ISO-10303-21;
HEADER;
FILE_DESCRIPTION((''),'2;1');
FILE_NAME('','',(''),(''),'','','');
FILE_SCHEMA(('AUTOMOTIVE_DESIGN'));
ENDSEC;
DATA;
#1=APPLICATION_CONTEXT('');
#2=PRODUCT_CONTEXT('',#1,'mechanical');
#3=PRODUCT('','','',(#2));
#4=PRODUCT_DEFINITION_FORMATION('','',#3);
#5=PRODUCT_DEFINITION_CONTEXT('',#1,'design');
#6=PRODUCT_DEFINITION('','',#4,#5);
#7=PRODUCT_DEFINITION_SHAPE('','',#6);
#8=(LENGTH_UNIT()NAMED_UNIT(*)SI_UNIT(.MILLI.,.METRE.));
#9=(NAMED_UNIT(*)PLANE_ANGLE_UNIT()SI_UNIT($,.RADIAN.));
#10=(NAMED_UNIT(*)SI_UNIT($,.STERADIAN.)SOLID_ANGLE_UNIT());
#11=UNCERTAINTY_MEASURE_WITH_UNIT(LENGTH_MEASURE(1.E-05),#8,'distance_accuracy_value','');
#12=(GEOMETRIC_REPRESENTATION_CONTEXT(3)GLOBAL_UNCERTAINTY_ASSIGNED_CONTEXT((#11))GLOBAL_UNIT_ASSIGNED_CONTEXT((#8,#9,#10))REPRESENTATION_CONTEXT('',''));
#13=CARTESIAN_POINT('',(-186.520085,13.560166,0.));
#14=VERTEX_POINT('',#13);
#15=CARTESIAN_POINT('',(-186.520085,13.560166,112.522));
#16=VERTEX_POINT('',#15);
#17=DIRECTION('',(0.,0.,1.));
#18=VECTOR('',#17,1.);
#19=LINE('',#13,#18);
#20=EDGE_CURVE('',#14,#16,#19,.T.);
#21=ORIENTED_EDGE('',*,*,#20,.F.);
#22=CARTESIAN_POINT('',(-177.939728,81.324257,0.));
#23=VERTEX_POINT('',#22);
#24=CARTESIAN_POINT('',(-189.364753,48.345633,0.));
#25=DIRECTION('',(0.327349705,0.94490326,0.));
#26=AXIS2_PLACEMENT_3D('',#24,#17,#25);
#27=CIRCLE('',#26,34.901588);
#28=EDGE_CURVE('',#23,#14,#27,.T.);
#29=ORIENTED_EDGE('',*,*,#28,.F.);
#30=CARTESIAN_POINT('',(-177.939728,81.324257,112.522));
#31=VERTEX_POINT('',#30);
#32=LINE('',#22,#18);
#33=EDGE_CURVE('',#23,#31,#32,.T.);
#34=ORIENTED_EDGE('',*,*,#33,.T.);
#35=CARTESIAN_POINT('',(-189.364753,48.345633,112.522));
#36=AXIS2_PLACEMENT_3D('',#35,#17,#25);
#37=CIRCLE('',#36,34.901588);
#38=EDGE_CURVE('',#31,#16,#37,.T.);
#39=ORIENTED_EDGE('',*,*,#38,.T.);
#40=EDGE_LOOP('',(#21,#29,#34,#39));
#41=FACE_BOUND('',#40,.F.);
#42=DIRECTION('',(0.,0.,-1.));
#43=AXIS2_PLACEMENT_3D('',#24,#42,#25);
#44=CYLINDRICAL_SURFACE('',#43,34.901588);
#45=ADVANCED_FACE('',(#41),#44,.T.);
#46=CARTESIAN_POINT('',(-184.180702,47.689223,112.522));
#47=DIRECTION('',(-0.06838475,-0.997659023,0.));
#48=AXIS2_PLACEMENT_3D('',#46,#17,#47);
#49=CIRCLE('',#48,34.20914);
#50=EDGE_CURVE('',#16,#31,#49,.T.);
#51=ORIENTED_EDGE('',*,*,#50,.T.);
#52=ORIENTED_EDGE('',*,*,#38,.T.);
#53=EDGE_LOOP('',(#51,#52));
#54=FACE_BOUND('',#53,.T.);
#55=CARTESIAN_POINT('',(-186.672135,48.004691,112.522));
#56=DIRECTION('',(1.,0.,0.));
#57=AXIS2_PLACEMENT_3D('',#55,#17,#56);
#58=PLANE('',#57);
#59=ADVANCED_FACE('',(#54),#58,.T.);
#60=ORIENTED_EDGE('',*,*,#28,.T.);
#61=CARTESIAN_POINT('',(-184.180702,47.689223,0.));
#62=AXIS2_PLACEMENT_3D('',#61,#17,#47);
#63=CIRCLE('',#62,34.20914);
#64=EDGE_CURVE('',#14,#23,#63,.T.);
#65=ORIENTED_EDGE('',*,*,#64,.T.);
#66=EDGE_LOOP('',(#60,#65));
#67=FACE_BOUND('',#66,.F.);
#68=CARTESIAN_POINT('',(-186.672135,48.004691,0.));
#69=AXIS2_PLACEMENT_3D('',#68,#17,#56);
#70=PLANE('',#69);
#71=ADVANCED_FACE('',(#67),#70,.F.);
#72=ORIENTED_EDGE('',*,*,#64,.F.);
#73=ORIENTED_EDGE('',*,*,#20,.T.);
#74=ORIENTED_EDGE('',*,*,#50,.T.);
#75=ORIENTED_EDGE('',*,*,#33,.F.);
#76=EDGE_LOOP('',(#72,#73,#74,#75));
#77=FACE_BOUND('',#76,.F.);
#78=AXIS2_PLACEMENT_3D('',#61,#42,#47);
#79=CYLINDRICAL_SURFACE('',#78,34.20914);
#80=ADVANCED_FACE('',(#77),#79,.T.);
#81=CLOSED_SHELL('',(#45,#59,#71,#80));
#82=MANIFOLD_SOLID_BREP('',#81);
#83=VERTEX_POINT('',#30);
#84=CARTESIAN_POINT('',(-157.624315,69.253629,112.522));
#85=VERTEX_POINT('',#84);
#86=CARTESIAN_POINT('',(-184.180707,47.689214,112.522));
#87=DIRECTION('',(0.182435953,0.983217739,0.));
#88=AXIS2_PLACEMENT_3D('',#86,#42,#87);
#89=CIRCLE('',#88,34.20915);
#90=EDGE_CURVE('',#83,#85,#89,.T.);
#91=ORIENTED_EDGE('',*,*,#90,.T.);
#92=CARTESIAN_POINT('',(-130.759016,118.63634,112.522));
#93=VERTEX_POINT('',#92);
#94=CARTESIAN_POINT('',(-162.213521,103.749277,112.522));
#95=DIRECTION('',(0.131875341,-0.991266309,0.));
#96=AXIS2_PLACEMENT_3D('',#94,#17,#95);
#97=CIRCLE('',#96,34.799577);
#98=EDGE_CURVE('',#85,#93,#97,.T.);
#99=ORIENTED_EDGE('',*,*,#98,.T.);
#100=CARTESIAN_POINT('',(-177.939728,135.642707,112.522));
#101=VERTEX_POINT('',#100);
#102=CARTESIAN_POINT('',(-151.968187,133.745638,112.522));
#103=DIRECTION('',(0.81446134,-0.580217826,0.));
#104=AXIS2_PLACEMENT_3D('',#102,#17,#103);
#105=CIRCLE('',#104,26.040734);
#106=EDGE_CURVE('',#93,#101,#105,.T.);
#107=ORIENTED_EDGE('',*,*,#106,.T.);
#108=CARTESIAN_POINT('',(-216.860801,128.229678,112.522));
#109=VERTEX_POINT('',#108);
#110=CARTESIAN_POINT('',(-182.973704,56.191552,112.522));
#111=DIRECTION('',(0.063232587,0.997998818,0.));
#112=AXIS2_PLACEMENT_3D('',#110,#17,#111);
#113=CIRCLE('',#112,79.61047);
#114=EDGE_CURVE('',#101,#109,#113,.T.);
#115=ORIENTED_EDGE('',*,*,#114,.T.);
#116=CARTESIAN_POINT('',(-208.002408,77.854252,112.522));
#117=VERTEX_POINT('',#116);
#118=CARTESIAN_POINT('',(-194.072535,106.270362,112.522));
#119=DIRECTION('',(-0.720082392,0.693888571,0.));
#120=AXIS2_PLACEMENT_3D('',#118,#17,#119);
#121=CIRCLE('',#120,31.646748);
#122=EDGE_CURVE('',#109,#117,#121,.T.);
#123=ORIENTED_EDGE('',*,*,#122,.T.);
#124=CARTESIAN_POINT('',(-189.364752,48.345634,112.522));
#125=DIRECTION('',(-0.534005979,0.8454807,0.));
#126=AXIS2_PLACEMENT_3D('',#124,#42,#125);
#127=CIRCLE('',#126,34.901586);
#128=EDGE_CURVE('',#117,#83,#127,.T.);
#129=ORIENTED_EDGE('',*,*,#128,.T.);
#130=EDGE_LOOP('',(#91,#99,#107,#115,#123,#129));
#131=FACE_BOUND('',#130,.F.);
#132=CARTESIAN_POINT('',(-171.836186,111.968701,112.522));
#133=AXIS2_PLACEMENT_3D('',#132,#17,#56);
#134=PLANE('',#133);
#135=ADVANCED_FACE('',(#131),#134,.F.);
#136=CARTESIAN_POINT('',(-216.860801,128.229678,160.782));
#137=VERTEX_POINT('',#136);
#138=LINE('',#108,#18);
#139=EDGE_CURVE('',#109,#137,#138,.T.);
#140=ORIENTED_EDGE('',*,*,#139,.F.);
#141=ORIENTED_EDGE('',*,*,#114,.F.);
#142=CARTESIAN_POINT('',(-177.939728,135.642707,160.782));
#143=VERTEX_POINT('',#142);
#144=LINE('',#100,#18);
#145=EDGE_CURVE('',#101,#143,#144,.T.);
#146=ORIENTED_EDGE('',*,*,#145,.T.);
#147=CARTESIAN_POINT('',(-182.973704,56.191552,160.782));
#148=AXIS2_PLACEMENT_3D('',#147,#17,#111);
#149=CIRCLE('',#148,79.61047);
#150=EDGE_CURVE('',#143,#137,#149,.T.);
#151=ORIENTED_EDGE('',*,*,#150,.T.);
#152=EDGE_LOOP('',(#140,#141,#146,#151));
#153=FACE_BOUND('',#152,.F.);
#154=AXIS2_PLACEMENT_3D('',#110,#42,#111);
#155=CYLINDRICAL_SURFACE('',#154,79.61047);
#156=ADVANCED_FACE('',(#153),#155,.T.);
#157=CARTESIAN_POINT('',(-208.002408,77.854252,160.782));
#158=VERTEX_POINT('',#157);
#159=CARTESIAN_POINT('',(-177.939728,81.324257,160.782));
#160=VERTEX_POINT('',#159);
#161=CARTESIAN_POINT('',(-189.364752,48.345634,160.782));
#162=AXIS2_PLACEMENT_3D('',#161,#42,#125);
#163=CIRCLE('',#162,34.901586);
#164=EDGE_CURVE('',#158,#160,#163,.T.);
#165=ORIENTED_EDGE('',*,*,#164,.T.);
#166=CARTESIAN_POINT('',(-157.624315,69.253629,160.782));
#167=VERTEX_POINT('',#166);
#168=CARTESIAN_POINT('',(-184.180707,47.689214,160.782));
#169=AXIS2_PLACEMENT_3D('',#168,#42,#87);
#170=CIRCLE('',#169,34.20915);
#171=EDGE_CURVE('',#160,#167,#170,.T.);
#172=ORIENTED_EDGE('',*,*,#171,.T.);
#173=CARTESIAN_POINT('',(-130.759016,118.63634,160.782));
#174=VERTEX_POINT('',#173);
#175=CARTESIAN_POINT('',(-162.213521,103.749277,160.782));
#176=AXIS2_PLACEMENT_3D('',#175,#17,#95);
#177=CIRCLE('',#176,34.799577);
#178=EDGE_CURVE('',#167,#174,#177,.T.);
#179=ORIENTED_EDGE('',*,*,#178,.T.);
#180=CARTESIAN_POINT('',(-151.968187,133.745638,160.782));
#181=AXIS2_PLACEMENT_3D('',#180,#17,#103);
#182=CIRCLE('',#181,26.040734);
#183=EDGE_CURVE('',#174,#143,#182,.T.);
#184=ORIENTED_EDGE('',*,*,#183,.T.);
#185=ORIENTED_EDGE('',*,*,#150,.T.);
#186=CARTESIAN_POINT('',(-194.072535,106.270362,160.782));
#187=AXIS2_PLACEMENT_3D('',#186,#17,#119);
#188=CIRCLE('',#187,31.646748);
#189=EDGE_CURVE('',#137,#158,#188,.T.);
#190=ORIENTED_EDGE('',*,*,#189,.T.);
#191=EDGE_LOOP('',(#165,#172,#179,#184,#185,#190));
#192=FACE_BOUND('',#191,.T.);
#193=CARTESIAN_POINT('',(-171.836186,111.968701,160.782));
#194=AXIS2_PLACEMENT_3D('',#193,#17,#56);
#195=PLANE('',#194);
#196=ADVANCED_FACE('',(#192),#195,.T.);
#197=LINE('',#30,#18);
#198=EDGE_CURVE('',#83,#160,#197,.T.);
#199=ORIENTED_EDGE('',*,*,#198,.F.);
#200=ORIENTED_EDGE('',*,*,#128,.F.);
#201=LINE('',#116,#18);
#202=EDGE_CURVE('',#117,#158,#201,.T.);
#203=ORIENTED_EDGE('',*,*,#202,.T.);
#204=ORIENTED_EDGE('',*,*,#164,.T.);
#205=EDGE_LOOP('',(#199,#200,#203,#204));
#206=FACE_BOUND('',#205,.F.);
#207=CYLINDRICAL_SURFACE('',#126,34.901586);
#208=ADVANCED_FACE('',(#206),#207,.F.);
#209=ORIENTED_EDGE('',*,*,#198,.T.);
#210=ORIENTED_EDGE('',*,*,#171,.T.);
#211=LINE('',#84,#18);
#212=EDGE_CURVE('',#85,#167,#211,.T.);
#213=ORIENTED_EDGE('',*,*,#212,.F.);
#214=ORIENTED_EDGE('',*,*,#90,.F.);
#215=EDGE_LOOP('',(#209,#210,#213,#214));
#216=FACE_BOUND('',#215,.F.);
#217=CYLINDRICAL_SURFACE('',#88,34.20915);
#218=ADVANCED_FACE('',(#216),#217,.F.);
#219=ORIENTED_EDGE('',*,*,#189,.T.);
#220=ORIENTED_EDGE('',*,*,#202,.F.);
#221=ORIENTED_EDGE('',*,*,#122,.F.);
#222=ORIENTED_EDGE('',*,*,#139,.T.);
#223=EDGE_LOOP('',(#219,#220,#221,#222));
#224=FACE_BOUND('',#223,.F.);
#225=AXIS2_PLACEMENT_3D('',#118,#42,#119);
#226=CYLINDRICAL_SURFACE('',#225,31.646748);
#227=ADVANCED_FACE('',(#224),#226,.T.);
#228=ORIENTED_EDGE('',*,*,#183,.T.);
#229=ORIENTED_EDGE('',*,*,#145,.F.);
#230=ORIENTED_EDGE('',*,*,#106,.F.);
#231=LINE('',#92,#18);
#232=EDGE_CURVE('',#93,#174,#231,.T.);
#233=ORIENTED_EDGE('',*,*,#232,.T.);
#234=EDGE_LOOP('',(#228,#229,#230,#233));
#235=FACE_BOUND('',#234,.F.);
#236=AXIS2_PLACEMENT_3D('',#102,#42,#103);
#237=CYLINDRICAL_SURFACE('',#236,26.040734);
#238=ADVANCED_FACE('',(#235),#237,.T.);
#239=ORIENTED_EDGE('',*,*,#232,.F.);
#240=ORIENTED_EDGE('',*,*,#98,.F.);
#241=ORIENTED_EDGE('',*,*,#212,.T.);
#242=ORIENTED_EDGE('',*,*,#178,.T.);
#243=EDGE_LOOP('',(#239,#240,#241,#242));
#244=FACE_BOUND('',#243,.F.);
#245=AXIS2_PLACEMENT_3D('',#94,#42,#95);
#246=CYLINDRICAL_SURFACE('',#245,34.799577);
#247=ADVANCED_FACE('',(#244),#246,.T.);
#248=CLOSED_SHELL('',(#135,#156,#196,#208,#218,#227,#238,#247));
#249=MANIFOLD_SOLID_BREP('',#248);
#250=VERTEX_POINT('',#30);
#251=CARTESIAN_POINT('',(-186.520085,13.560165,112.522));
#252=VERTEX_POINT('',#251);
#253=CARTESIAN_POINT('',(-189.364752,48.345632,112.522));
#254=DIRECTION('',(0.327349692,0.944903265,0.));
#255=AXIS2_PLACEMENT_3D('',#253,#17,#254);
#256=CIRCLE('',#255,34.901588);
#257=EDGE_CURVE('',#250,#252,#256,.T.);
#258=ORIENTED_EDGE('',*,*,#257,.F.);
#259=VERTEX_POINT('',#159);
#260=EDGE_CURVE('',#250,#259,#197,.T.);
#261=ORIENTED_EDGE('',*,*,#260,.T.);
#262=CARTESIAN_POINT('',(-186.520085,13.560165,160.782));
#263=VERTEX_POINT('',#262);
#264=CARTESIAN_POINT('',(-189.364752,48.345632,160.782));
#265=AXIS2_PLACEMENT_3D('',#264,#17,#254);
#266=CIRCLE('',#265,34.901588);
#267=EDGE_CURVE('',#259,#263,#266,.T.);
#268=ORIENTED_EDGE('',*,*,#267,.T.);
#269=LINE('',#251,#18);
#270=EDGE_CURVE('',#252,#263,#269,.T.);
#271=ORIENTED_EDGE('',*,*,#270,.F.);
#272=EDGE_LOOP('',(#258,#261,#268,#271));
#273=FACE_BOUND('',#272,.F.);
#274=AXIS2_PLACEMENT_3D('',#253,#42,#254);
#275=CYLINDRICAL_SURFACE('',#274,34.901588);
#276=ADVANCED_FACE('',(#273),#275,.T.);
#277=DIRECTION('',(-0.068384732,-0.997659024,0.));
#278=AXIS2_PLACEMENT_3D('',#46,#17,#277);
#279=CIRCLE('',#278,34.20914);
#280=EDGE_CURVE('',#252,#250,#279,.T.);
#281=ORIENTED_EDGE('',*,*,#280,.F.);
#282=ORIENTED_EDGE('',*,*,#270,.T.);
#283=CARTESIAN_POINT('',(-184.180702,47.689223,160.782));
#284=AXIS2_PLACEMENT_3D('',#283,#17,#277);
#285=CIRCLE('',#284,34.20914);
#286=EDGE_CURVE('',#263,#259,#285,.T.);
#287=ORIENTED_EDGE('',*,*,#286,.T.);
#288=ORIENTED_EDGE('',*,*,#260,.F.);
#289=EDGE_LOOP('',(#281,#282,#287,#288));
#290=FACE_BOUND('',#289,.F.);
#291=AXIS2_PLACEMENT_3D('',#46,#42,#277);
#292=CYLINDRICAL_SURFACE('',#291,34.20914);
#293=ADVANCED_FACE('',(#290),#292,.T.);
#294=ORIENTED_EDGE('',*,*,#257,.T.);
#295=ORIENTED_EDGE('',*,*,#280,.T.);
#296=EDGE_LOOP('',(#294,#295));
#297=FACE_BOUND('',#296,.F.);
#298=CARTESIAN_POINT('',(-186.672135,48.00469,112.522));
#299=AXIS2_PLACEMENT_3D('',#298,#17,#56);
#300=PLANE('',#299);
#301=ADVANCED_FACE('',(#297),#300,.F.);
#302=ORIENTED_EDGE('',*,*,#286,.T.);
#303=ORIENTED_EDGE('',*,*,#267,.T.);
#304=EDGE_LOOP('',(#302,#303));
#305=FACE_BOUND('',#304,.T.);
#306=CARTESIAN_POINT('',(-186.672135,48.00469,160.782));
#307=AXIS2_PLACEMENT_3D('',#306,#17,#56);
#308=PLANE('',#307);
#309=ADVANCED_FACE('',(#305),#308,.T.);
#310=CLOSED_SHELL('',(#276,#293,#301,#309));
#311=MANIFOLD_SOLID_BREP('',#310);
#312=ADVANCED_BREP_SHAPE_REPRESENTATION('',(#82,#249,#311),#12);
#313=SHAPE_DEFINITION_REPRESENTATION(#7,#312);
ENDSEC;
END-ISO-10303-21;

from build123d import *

# Parameters (mm, degrees)
F1_DEPTH = 112.522
F3_DEPTH = 48.26
F4_DEPTH = 48.26


with BuildPart() as f1:
    # F0 (on Top) → F1 (new body)
    with BuildSketch(Plane.XY):
        with BuildLine():
            ThreePointArc((-177.939728, 81.324257), (-223.989874, 52.7299), (-186.520085, 13.560166))
            ThreePointArc((-186.520085, 13.560166), (-150.242543, 43.391939), (-177.939728, 81.324257))
        make_face()
    extrude(amount=F1_DEPTH)


with BuildPart() as f3:
    # F2 (on face) → F3 (new body)
    with BuildSketch(Plane.XY.offset(112.522)):
        with BuildLine():
            ThreePointArc((-177.939728, 135.642707), (-197.8688, 134.396175), (-216.860801, 128.229678))
            ThreePointArc((-216.860801, 128.229678), (-225.24105, 100.789456), (-208.002408, 77.854252))
            ThreePointArc((-208.002408, 77.854252), (-193.36672, 83.01702), (-177.939728, 81.324257))
            ThreePointArc((-177.939728, 81.324257), (-166.706672, 77.098805), (-157.624315, 69.253629))
            ThreePointArc((-157.624315, 69.253629), (-131.644741, 87.119177), (-130.759016, 118.63634))
            ThreePointArc((-130.759016, 118.63634), (-143.137888, 158.243508), (-177.939728, 135.642707))
        make_face()
    extrude(amount=F3_DEPTH)


with BuildPart() as f4:
    # F1_face (on face) → F4 (new body)
    with BuildSketch(Plane(origin=(-187.218668, 48.073893, 112.522), x_dir=(1, 0, 0), z_dir=(0, 0, 1))):
        with BuildLine():
            ThreePointArc((0.698583, -34.513728), (36.976125, -4.681954), (9.27894, 33.250364))
            ThreePointArc((9.27894, 33.250364), (-36.771206, 4.656007), (0.698583, -34.513728))
        make_face()
    extrude(amount=F4_DEPTH)


solid = Compound([f1.part, f3.part, f4.part])
